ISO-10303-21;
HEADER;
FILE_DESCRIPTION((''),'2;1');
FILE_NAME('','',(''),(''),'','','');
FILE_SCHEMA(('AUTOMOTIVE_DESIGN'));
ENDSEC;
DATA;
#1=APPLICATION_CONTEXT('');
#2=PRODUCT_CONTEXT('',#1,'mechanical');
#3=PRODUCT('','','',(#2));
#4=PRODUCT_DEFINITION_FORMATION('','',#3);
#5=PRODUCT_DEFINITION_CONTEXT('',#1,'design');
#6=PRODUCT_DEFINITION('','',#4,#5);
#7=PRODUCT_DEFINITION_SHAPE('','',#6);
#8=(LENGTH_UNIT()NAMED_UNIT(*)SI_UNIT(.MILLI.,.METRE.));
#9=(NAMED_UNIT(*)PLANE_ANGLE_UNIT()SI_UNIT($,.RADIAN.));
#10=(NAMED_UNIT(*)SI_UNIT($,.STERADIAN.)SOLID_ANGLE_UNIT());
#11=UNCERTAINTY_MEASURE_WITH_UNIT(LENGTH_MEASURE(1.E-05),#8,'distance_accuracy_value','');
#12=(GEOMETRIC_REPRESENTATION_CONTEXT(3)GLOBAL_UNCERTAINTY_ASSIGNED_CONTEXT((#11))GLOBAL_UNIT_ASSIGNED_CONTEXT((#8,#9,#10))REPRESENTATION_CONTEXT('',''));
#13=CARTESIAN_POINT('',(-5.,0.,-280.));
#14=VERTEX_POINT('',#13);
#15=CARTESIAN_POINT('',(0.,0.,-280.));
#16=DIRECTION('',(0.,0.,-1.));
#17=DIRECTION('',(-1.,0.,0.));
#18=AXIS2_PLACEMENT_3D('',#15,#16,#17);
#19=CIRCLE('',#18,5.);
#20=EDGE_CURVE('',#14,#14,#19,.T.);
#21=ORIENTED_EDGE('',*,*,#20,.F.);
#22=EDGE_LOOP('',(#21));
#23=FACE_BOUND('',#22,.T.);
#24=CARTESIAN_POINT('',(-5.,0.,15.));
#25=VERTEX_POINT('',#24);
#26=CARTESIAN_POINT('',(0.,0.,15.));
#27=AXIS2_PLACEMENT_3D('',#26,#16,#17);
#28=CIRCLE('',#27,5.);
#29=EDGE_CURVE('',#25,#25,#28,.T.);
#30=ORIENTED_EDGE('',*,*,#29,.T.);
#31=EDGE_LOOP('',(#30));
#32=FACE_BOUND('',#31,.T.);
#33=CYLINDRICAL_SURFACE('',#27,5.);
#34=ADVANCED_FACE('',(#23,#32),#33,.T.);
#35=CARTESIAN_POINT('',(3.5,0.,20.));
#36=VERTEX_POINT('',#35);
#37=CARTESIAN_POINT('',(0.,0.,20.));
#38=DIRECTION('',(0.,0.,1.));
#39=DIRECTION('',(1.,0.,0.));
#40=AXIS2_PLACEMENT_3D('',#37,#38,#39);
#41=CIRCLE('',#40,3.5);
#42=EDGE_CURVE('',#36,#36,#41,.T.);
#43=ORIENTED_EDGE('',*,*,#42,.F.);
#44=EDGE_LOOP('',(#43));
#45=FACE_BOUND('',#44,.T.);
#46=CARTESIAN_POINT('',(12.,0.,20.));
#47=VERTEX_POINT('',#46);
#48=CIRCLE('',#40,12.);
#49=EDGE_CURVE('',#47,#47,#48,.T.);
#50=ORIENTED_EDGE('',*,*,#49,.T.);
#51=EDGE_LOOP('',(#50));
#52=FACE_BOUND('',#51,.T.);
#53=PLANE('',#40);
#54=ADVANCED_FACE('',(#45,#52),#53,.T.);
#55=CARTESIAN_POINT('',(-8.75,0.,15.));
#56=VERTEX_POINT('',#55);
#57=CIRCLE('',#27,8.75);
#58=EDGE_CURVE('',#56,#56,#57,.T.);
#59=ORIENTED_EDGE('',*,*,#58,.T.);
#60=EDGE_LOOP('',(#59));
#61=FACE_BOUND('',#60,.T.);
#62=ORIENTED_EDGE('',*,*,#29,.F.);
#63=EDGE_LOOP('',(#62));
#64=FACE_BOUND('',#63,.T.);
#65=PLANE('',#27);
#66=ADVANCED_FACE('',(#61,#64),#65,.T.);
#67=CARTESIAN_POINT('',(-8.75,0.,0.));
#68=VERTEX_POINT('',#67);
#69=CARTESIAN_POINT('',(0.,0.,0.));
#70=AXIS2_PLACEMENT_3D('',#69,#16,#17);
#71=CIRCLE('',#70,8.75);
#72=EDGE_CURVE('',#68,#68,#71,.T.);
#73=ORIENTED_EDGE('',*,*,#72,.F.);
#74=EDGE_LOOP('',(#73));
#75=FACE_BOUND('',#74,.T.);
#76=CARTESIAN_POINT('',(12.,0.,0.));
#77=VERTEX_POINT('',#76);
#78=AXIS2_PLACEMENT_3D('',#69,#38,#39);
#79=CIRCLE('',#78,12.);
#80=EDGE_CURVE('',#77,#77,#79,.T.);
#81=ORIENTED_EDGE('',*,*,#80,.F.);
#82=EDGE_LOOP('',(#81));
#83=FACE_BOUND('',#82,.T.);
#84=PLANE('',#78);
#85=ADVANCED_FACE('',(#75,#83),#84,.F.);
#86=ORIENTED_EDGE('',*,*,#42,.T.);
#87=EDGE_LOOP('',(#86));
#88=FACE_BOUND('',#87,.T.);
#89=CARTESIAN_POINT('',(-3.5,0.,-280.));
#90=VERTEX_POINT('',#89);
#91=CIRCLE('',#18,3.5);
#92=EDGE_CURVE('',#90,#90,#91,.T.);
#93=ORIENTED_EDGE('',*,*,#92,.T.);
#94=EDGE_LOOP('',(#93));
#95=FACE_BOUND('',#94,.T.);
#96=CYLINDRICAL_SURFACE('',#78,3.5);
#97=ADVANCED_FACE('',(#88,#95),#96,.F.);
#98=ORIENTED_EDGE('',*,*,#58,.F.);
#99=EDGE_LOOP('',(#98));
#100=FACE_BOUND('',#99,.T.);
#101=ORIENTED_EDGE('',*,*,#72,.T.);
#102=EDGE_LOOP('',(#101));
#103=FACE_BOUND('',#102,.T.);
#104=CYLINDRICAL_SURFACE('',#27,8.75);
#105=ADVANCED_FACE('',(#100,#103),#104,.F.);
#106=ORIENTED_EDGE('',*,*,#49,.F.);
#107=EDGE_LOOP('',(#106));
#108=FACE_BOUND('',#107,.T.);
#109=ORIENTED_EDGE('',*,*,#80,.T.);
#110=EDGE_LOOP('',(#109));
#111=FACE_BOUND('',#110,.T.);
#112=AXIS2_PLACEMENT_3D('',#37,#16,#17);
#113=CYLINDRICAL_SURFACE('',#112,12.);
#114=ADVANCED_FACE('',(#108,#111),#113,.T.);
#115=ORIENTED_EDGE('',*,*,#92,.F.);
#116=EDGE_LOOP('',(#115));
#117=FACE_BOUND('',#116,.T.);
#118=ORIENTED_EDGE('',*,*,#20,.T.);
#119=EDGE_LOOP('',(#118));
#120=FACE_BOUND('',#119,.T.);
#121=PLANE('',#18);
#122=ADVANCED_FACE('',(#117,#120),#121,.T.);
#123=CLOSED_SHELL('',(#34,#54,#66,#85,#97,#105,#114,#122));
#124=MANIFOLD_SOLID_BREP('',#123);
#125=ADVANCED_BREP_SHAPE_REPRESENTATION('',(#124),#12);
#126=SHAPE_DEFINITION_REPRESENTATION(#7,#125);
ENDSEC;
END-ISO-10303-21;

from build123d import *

# Parameters (mm, degrees)
SKETCH1_R           = 12
BOSS_EXTRUDE1_DEPTH = 20
SKETCH2_R           = 8.75
SKETCH2_R_2         = 5
CUT_EXTRUDE1_DEPTH  = 15
SKETCH3_R           = 3.5
CUT_EXTRUDE2_DEPTH  = 27.229754097
SKETCH4_R           = 5
SKETCH4_R_2         = 3.5
BOSS_EXTRUDE2_DEPTH = 280


with BuildPart() as part:
    # Sketch1 → Boss-Extrude1 (new body)
    with BuildSketch(Plane.XY):
        Circle(SKETCH1_R)
    extrude(amount=BOSS_EXTRUDE1_DEPTH)

    # Sketch2 → Cut-Extrude1 (cut)
    with BuildSketch(Plane(origin=(0, 0, 0), x_dir=(-1, 0, 0), z_dir=(0, 0, -1))):
        Circle(SKETCH2_R)
        Circle(SKETCH2_R_2, mode=Mode.SUBTRACT)
    extrude(amount=-CUT_EXTRUDE1_DEPTH, mode=Mode.SUBTRACT)

    # Sketch3 → Cut-Extrude2 (cut, through all)
    with BuildSketch(Plane.XY.offset(20)):
        Circle(SKETCH3_R)
    extrude(amount=-CUT_EXTRUDE2_DEPTH, mode=Mode.SUBTRACT)

    # Sketch4 → Boss-Extrude2 (add)
    with BuildSketch(Plane(origin=(0, 0, 0), x_dir=(-1, 0, 0), z_dir=(0, 0, -1))):
        Circle(SKETCH4_R)
        with Locations(Location((0, 0, 0), (0, 0, 180))):
            Circle(SKETCH4_R_2, mode=Mode.SUBTRACT)
    extrude(amount=BOSS_EXTRUDE2_DEPTH)


solid = part.part
